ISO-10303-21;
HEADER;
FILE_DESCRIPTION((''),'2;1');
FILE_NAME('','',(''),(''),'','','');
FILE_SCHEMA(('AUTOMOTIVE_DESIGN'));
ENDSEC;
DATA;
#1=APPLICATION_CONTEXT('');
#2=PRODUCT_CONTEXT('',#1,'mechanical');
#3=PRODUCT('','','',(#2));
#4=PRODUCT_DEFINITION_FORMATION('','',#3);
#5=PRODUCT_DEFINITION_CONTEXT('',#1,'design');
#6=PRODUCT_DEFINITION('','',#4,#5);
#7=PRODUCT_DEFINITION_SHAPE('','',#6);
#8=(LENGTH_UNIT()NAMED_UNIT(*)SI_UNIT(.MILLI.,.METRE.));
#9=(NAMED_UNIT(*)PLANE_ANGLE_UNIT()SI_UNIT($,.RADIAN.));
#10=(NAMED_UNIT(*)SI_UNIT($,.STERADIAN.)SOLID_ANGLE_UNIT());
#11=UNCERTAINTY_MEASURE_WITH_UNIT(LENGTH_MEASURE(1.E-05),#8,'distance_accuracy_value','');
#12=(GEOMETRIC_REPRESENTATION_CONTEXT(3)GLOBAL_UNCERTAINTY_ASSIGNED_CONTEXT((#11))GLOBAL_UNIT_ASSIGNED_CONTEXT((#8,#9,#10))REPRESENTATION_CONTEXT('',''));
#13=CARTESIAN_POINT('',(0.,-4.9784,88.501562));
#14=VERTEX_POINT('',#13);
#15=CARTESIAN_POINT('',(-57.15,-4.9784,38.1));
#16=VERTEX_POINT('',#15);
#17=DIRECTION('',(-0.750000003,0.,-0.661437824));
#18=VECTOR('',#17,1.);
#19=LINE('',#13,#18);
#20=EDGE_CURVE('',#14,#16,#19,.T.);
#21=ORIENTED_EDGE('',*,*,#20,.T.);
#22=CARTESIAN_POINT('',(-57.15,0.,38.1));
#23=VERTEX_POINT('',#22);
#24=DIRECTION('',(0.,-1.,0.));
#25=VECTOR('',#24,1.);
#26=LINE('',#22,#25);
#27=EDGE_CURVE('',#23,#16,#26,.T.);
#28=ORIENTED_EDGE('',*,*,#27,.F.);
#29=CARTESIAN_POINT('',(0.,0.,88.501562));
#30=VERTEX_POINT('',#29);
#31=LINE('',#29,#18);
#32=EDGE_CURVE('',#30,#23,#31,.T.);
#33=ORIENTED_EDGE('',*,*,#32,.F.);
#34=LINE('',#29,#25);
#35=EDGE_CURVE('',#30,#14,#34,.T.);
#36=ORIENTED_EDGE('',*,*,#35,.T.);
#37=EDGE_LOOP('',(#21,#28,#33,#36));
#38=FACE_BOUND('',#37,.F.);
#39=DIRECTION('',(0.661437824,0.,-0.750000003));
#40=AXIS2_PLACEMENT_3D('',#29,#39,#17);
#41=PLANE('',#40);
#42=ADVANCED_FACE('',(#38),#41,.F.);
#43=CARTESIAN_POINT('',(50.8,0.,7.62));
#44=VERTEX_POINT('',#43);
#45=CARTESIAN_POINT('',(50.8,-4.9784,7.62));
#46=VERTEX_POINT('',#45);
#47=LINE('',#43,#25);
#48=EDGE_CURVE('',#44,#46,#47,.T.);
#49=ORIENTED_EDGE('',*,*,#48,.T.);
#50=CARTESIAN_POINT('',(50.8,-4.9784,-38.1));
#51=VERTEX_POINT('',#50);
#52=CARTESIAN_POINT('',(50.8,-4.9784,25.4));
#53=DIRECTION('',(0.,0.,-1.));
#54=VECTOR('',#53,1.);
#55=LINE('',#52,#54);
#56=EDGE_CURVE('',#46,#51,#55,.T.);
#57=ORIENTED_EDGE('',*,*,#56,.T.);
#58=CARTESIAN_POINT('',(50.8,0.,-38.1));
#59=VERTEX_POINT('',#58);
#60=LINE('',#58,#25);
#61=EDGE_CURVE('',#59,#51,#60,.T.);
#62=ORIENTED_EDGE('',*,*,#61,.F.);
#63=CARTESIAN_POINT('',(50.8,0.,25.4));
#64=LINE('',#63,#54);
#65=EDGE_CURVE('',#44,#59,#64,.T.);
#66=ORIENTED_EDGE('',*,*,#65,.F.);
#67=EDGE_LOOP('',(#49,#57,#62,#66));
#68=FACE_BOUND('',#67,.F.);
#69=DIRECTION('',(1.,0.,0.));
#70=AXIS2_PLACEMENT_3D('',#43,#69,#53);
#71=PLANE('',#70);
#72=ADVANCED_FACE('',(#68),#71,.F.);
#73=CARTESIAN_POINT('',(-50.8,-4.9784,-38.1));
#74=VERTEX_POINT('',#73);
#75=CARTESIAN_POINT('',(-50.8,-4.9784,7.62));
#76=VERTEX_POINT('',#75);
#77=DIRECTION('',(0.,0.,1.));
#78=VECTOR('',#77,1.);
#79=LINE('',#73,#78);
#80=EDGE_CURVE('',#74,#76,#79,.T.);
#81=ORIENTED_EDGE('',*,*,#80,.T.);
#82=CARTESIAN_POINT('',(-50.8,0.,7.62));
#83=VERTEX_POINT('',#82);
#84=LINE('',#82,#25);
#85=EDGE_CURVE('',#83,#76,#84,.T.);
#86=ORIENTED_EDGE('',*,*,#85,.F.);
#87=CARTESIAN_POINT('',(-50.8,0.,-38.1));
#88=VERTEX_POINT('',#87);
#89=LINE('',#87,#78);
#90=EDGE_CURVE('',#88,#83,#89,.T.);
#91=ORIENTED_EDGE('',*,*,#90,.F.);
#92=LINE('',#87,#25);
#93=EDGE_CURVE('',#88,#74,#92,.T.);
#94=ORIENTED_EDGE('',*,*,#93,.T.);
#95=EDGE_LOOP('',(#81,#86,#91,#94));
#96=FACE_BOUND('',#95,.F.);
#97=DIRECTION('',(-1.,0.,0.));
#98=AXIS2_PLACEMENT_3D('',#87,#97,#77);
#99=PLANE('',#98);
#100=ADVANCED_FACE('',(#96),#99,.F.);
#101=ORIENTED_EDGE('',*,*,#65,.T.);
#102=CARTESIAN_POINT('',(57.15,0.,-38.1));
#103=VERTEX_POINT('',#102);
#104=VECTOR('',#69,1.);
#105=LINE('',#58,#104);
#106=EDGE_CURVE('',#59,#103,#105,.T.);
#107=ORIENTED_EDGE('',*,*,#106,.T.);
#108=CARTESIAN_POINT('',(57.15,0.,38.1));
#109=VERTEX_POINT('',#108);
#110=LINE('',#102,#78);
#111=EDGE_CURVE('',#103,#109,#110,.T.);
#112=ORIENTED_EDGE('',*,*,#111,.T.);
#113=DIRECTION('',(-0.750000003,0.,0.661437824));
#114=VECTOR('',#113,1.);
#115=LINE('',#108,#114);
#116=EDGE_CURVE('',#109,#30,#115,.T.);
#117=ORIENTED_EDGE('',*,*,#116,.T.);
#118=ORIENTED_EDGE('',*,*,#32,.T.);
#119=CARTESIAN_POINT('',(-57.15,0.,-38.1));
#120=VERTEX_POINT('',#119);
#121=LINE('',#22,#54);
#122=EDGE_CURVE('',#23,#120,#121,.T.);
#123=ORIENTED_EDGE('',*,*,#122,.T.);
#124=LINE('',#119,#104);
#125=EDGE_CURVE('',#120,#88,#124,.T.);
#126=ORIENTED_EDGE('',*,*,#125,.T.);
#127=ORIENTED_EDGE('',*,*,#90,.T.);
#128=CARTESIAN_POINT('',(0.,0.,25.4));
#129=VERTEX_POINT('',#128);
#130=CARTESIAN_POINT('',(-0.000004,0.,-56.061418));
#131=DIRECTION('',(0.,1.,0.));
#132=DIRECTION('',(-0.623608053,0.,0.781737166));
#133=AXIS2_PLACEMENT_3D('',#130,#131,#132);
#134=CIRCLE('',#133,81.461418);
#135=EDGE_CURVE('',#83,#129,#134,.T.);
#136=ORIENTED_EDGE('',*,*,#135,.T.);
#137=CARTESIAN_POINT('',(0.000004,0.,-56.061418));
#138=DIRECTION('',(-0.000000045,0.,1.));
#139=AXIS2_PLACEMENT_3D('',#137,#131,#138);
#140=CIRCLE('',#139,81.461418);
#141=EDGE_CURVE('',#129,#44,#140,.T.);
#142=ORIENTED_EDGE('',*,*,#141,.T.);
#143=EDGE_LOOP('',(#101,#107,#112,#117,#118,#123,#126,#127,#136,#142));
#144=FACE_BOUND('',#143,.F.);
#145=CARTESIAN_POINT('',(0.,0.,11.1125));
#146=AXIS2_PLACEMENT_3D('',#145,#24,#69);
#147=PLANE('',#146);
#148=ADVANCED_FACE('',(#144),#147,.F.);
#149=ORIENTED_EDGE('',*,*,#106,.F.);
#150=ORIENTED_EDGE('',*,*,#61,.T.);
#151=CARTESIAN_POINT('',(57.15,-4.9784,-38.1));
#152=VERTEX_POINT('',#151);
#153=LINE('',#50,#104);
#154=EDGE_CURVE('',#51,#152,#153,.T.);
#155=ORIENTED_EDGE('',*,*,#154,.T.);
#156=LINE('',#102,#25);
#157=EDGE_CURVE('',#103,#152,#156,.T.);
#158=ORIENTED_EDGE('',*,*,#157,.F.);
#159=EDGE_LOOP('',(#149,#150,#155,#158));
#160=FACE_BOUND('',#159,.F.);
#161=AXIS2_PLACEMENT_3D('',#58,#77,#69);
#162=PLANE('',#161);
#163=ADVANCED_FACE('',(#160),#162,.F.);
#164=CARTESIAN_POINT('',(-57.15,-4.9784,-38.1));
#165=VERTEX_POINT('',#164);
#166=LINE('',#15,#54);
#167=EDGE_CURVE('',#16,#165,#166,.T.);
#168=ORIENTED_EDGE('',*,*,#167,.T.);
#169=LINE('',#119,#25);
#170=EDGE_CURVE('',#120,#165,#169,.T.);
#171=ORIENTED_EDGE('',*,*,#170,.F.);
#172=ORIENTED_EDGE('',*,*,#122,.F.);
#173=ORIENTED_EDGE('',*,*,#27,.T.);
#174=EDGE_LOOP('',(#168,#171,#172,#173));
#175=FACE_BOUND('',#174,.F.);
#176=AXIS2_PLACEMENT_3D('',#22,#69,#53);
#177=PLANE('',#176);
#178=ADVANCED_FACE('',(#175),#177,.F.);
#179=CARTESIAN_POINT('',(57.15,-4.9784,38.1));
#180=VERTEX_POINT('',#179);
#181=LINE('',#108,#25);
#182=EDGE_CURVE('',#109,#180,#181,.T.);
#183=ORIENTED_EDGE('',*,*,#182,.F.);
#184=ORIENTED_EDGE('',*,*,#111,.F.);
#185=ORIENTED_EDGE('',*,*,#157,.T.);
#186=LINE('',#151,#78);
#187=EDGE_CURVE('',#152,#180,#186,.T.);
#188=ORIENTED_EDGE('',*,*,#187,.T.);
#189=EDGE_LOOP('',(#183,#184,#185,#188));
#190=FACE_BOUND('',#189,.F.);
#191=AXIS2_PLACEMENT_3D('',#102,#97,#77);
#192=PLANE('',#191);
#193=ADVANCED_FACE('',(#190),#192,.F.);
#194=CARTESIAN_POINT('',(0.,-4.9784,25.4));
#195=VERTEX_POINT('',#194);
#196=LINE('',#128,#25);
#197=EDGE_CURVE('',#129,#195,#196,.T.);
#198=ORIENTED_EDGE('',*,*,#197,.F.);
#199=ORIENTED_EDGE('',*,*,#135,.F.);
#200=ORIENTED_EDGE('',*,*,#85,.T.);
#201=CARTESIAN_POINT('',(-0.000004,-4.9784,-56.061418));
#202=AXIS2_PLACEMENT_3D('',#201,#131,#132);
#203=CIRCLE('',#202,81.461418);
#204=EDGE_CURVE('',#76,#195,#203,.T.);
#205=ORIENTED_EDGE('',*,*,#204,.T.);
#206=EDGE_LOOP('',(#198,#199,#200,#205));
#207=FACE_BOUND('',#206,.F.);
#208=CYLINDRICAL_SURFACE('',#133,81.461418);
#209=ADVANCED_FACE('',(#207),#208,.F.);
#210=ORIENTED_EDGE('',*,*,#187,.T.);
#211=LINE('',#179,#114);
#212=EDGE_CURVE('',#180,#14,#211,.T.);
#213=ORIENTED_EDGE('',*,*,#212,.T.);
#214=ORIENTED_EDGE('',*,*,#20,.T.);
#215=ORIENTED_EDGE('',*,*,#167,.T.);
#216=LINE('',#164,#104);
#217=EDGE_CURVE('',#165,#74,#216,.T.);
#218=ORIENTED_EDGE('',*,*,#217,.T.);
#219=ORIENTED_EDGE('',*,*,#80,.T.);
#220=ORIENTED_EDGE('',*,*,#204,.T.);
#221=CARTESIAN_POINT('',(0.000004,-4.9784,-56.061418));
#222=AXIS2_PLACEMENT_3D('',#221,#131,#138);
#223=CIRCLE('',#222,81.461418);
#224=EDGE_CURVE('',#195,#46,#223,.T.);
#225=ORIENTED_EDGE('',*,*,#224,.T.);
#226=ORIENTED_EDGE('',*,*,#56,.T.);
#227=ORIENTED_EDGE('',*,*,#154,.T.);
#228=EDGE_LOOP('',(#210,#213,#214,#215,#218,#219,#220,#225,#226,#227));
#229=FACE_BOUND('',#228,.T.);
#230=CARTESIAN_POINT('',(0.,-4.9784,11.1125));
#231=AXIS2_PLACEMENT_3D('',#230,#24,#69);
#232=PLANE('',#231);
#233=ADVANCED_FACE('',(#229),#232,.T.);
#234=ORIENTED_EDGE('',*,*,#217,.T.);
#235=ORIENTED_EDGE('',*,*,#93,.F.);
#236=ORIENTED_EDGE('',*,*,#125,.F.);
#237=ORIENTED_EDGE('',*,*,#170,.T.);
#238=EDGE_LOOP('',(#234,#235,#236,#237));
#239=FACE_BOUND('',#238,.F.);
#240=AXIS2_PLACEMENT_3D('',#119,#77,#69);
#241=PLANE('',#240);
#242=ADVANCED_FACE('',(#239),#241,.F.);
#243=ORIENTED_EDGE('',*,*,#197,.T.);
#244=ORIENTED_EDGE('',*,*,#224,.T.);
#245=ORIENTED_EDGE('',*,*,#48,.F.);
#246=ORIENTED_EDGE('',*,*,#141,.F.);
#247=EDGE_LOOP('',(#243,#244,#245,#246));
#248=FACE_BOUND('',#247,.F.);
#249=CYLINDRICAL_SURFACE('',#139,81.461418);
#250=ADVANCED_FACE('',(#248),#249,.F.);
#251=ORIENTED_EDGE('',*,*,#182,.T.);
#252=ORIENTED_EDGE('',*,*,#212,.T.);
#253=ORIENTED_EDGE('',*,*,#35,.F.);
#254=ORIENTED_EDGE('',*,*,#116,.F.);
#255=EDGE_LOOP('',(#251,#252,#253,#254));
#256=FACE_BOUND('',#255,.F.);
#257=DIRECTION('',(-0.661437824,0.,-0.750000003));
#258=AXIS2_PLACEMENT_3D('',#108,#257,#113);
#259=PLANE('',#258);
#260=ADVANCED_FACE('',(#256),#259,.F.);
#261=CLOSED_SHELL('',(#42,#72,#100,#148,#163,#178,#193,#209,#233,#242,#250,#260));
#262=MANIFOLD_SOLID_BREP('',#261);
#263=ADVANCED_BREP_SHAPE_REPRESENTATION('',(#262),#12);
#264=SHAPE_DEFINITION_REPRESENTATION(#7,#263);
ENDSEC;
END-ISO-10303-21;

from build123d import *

# Parameters (mm, degrees)
F1_DEPTH = 4.9784


with BuildPart() as f1:
    # F0 (on Front) → F1 (new body)
    with BuildSketch(Plane.XZ):
        Polygon((57.15, -38.1), (57.15, 38.1), (-57.15, 38.1), (-57.15, -38.1), (-50.8, -38.1), (-50.8, 7.62), (-50.8, 25.4), (0, 25.4), (50.8, 25.4), (50.8, 7.62), (50.8, -38.1), align=None)
        Polygon((-57.15, 38.1), (57.15, 38.1), (0, 88.501562), align=None)
        with BuildLine():
            ThreePointArc((0, 25.4), (26.910818, 20.826622), (50.8, 7.62))
            Line((50.8, 7.62), (50.8, 25.4))
            Line((50.8, 25.4), (0, 25.4))
        make_face()
        with BuildLine():
            Line((-50.8, 25.4), (-50.8, 7.62))
            ThreePointArc((-50.8, 7.62), (-26.910818, 20.826622), (0, 25.4))
            Line((0, 25.4), (-50.8, 25.4))
        make_face()
    extrude(amount=F1_DEPTH)


solid = f1.part
